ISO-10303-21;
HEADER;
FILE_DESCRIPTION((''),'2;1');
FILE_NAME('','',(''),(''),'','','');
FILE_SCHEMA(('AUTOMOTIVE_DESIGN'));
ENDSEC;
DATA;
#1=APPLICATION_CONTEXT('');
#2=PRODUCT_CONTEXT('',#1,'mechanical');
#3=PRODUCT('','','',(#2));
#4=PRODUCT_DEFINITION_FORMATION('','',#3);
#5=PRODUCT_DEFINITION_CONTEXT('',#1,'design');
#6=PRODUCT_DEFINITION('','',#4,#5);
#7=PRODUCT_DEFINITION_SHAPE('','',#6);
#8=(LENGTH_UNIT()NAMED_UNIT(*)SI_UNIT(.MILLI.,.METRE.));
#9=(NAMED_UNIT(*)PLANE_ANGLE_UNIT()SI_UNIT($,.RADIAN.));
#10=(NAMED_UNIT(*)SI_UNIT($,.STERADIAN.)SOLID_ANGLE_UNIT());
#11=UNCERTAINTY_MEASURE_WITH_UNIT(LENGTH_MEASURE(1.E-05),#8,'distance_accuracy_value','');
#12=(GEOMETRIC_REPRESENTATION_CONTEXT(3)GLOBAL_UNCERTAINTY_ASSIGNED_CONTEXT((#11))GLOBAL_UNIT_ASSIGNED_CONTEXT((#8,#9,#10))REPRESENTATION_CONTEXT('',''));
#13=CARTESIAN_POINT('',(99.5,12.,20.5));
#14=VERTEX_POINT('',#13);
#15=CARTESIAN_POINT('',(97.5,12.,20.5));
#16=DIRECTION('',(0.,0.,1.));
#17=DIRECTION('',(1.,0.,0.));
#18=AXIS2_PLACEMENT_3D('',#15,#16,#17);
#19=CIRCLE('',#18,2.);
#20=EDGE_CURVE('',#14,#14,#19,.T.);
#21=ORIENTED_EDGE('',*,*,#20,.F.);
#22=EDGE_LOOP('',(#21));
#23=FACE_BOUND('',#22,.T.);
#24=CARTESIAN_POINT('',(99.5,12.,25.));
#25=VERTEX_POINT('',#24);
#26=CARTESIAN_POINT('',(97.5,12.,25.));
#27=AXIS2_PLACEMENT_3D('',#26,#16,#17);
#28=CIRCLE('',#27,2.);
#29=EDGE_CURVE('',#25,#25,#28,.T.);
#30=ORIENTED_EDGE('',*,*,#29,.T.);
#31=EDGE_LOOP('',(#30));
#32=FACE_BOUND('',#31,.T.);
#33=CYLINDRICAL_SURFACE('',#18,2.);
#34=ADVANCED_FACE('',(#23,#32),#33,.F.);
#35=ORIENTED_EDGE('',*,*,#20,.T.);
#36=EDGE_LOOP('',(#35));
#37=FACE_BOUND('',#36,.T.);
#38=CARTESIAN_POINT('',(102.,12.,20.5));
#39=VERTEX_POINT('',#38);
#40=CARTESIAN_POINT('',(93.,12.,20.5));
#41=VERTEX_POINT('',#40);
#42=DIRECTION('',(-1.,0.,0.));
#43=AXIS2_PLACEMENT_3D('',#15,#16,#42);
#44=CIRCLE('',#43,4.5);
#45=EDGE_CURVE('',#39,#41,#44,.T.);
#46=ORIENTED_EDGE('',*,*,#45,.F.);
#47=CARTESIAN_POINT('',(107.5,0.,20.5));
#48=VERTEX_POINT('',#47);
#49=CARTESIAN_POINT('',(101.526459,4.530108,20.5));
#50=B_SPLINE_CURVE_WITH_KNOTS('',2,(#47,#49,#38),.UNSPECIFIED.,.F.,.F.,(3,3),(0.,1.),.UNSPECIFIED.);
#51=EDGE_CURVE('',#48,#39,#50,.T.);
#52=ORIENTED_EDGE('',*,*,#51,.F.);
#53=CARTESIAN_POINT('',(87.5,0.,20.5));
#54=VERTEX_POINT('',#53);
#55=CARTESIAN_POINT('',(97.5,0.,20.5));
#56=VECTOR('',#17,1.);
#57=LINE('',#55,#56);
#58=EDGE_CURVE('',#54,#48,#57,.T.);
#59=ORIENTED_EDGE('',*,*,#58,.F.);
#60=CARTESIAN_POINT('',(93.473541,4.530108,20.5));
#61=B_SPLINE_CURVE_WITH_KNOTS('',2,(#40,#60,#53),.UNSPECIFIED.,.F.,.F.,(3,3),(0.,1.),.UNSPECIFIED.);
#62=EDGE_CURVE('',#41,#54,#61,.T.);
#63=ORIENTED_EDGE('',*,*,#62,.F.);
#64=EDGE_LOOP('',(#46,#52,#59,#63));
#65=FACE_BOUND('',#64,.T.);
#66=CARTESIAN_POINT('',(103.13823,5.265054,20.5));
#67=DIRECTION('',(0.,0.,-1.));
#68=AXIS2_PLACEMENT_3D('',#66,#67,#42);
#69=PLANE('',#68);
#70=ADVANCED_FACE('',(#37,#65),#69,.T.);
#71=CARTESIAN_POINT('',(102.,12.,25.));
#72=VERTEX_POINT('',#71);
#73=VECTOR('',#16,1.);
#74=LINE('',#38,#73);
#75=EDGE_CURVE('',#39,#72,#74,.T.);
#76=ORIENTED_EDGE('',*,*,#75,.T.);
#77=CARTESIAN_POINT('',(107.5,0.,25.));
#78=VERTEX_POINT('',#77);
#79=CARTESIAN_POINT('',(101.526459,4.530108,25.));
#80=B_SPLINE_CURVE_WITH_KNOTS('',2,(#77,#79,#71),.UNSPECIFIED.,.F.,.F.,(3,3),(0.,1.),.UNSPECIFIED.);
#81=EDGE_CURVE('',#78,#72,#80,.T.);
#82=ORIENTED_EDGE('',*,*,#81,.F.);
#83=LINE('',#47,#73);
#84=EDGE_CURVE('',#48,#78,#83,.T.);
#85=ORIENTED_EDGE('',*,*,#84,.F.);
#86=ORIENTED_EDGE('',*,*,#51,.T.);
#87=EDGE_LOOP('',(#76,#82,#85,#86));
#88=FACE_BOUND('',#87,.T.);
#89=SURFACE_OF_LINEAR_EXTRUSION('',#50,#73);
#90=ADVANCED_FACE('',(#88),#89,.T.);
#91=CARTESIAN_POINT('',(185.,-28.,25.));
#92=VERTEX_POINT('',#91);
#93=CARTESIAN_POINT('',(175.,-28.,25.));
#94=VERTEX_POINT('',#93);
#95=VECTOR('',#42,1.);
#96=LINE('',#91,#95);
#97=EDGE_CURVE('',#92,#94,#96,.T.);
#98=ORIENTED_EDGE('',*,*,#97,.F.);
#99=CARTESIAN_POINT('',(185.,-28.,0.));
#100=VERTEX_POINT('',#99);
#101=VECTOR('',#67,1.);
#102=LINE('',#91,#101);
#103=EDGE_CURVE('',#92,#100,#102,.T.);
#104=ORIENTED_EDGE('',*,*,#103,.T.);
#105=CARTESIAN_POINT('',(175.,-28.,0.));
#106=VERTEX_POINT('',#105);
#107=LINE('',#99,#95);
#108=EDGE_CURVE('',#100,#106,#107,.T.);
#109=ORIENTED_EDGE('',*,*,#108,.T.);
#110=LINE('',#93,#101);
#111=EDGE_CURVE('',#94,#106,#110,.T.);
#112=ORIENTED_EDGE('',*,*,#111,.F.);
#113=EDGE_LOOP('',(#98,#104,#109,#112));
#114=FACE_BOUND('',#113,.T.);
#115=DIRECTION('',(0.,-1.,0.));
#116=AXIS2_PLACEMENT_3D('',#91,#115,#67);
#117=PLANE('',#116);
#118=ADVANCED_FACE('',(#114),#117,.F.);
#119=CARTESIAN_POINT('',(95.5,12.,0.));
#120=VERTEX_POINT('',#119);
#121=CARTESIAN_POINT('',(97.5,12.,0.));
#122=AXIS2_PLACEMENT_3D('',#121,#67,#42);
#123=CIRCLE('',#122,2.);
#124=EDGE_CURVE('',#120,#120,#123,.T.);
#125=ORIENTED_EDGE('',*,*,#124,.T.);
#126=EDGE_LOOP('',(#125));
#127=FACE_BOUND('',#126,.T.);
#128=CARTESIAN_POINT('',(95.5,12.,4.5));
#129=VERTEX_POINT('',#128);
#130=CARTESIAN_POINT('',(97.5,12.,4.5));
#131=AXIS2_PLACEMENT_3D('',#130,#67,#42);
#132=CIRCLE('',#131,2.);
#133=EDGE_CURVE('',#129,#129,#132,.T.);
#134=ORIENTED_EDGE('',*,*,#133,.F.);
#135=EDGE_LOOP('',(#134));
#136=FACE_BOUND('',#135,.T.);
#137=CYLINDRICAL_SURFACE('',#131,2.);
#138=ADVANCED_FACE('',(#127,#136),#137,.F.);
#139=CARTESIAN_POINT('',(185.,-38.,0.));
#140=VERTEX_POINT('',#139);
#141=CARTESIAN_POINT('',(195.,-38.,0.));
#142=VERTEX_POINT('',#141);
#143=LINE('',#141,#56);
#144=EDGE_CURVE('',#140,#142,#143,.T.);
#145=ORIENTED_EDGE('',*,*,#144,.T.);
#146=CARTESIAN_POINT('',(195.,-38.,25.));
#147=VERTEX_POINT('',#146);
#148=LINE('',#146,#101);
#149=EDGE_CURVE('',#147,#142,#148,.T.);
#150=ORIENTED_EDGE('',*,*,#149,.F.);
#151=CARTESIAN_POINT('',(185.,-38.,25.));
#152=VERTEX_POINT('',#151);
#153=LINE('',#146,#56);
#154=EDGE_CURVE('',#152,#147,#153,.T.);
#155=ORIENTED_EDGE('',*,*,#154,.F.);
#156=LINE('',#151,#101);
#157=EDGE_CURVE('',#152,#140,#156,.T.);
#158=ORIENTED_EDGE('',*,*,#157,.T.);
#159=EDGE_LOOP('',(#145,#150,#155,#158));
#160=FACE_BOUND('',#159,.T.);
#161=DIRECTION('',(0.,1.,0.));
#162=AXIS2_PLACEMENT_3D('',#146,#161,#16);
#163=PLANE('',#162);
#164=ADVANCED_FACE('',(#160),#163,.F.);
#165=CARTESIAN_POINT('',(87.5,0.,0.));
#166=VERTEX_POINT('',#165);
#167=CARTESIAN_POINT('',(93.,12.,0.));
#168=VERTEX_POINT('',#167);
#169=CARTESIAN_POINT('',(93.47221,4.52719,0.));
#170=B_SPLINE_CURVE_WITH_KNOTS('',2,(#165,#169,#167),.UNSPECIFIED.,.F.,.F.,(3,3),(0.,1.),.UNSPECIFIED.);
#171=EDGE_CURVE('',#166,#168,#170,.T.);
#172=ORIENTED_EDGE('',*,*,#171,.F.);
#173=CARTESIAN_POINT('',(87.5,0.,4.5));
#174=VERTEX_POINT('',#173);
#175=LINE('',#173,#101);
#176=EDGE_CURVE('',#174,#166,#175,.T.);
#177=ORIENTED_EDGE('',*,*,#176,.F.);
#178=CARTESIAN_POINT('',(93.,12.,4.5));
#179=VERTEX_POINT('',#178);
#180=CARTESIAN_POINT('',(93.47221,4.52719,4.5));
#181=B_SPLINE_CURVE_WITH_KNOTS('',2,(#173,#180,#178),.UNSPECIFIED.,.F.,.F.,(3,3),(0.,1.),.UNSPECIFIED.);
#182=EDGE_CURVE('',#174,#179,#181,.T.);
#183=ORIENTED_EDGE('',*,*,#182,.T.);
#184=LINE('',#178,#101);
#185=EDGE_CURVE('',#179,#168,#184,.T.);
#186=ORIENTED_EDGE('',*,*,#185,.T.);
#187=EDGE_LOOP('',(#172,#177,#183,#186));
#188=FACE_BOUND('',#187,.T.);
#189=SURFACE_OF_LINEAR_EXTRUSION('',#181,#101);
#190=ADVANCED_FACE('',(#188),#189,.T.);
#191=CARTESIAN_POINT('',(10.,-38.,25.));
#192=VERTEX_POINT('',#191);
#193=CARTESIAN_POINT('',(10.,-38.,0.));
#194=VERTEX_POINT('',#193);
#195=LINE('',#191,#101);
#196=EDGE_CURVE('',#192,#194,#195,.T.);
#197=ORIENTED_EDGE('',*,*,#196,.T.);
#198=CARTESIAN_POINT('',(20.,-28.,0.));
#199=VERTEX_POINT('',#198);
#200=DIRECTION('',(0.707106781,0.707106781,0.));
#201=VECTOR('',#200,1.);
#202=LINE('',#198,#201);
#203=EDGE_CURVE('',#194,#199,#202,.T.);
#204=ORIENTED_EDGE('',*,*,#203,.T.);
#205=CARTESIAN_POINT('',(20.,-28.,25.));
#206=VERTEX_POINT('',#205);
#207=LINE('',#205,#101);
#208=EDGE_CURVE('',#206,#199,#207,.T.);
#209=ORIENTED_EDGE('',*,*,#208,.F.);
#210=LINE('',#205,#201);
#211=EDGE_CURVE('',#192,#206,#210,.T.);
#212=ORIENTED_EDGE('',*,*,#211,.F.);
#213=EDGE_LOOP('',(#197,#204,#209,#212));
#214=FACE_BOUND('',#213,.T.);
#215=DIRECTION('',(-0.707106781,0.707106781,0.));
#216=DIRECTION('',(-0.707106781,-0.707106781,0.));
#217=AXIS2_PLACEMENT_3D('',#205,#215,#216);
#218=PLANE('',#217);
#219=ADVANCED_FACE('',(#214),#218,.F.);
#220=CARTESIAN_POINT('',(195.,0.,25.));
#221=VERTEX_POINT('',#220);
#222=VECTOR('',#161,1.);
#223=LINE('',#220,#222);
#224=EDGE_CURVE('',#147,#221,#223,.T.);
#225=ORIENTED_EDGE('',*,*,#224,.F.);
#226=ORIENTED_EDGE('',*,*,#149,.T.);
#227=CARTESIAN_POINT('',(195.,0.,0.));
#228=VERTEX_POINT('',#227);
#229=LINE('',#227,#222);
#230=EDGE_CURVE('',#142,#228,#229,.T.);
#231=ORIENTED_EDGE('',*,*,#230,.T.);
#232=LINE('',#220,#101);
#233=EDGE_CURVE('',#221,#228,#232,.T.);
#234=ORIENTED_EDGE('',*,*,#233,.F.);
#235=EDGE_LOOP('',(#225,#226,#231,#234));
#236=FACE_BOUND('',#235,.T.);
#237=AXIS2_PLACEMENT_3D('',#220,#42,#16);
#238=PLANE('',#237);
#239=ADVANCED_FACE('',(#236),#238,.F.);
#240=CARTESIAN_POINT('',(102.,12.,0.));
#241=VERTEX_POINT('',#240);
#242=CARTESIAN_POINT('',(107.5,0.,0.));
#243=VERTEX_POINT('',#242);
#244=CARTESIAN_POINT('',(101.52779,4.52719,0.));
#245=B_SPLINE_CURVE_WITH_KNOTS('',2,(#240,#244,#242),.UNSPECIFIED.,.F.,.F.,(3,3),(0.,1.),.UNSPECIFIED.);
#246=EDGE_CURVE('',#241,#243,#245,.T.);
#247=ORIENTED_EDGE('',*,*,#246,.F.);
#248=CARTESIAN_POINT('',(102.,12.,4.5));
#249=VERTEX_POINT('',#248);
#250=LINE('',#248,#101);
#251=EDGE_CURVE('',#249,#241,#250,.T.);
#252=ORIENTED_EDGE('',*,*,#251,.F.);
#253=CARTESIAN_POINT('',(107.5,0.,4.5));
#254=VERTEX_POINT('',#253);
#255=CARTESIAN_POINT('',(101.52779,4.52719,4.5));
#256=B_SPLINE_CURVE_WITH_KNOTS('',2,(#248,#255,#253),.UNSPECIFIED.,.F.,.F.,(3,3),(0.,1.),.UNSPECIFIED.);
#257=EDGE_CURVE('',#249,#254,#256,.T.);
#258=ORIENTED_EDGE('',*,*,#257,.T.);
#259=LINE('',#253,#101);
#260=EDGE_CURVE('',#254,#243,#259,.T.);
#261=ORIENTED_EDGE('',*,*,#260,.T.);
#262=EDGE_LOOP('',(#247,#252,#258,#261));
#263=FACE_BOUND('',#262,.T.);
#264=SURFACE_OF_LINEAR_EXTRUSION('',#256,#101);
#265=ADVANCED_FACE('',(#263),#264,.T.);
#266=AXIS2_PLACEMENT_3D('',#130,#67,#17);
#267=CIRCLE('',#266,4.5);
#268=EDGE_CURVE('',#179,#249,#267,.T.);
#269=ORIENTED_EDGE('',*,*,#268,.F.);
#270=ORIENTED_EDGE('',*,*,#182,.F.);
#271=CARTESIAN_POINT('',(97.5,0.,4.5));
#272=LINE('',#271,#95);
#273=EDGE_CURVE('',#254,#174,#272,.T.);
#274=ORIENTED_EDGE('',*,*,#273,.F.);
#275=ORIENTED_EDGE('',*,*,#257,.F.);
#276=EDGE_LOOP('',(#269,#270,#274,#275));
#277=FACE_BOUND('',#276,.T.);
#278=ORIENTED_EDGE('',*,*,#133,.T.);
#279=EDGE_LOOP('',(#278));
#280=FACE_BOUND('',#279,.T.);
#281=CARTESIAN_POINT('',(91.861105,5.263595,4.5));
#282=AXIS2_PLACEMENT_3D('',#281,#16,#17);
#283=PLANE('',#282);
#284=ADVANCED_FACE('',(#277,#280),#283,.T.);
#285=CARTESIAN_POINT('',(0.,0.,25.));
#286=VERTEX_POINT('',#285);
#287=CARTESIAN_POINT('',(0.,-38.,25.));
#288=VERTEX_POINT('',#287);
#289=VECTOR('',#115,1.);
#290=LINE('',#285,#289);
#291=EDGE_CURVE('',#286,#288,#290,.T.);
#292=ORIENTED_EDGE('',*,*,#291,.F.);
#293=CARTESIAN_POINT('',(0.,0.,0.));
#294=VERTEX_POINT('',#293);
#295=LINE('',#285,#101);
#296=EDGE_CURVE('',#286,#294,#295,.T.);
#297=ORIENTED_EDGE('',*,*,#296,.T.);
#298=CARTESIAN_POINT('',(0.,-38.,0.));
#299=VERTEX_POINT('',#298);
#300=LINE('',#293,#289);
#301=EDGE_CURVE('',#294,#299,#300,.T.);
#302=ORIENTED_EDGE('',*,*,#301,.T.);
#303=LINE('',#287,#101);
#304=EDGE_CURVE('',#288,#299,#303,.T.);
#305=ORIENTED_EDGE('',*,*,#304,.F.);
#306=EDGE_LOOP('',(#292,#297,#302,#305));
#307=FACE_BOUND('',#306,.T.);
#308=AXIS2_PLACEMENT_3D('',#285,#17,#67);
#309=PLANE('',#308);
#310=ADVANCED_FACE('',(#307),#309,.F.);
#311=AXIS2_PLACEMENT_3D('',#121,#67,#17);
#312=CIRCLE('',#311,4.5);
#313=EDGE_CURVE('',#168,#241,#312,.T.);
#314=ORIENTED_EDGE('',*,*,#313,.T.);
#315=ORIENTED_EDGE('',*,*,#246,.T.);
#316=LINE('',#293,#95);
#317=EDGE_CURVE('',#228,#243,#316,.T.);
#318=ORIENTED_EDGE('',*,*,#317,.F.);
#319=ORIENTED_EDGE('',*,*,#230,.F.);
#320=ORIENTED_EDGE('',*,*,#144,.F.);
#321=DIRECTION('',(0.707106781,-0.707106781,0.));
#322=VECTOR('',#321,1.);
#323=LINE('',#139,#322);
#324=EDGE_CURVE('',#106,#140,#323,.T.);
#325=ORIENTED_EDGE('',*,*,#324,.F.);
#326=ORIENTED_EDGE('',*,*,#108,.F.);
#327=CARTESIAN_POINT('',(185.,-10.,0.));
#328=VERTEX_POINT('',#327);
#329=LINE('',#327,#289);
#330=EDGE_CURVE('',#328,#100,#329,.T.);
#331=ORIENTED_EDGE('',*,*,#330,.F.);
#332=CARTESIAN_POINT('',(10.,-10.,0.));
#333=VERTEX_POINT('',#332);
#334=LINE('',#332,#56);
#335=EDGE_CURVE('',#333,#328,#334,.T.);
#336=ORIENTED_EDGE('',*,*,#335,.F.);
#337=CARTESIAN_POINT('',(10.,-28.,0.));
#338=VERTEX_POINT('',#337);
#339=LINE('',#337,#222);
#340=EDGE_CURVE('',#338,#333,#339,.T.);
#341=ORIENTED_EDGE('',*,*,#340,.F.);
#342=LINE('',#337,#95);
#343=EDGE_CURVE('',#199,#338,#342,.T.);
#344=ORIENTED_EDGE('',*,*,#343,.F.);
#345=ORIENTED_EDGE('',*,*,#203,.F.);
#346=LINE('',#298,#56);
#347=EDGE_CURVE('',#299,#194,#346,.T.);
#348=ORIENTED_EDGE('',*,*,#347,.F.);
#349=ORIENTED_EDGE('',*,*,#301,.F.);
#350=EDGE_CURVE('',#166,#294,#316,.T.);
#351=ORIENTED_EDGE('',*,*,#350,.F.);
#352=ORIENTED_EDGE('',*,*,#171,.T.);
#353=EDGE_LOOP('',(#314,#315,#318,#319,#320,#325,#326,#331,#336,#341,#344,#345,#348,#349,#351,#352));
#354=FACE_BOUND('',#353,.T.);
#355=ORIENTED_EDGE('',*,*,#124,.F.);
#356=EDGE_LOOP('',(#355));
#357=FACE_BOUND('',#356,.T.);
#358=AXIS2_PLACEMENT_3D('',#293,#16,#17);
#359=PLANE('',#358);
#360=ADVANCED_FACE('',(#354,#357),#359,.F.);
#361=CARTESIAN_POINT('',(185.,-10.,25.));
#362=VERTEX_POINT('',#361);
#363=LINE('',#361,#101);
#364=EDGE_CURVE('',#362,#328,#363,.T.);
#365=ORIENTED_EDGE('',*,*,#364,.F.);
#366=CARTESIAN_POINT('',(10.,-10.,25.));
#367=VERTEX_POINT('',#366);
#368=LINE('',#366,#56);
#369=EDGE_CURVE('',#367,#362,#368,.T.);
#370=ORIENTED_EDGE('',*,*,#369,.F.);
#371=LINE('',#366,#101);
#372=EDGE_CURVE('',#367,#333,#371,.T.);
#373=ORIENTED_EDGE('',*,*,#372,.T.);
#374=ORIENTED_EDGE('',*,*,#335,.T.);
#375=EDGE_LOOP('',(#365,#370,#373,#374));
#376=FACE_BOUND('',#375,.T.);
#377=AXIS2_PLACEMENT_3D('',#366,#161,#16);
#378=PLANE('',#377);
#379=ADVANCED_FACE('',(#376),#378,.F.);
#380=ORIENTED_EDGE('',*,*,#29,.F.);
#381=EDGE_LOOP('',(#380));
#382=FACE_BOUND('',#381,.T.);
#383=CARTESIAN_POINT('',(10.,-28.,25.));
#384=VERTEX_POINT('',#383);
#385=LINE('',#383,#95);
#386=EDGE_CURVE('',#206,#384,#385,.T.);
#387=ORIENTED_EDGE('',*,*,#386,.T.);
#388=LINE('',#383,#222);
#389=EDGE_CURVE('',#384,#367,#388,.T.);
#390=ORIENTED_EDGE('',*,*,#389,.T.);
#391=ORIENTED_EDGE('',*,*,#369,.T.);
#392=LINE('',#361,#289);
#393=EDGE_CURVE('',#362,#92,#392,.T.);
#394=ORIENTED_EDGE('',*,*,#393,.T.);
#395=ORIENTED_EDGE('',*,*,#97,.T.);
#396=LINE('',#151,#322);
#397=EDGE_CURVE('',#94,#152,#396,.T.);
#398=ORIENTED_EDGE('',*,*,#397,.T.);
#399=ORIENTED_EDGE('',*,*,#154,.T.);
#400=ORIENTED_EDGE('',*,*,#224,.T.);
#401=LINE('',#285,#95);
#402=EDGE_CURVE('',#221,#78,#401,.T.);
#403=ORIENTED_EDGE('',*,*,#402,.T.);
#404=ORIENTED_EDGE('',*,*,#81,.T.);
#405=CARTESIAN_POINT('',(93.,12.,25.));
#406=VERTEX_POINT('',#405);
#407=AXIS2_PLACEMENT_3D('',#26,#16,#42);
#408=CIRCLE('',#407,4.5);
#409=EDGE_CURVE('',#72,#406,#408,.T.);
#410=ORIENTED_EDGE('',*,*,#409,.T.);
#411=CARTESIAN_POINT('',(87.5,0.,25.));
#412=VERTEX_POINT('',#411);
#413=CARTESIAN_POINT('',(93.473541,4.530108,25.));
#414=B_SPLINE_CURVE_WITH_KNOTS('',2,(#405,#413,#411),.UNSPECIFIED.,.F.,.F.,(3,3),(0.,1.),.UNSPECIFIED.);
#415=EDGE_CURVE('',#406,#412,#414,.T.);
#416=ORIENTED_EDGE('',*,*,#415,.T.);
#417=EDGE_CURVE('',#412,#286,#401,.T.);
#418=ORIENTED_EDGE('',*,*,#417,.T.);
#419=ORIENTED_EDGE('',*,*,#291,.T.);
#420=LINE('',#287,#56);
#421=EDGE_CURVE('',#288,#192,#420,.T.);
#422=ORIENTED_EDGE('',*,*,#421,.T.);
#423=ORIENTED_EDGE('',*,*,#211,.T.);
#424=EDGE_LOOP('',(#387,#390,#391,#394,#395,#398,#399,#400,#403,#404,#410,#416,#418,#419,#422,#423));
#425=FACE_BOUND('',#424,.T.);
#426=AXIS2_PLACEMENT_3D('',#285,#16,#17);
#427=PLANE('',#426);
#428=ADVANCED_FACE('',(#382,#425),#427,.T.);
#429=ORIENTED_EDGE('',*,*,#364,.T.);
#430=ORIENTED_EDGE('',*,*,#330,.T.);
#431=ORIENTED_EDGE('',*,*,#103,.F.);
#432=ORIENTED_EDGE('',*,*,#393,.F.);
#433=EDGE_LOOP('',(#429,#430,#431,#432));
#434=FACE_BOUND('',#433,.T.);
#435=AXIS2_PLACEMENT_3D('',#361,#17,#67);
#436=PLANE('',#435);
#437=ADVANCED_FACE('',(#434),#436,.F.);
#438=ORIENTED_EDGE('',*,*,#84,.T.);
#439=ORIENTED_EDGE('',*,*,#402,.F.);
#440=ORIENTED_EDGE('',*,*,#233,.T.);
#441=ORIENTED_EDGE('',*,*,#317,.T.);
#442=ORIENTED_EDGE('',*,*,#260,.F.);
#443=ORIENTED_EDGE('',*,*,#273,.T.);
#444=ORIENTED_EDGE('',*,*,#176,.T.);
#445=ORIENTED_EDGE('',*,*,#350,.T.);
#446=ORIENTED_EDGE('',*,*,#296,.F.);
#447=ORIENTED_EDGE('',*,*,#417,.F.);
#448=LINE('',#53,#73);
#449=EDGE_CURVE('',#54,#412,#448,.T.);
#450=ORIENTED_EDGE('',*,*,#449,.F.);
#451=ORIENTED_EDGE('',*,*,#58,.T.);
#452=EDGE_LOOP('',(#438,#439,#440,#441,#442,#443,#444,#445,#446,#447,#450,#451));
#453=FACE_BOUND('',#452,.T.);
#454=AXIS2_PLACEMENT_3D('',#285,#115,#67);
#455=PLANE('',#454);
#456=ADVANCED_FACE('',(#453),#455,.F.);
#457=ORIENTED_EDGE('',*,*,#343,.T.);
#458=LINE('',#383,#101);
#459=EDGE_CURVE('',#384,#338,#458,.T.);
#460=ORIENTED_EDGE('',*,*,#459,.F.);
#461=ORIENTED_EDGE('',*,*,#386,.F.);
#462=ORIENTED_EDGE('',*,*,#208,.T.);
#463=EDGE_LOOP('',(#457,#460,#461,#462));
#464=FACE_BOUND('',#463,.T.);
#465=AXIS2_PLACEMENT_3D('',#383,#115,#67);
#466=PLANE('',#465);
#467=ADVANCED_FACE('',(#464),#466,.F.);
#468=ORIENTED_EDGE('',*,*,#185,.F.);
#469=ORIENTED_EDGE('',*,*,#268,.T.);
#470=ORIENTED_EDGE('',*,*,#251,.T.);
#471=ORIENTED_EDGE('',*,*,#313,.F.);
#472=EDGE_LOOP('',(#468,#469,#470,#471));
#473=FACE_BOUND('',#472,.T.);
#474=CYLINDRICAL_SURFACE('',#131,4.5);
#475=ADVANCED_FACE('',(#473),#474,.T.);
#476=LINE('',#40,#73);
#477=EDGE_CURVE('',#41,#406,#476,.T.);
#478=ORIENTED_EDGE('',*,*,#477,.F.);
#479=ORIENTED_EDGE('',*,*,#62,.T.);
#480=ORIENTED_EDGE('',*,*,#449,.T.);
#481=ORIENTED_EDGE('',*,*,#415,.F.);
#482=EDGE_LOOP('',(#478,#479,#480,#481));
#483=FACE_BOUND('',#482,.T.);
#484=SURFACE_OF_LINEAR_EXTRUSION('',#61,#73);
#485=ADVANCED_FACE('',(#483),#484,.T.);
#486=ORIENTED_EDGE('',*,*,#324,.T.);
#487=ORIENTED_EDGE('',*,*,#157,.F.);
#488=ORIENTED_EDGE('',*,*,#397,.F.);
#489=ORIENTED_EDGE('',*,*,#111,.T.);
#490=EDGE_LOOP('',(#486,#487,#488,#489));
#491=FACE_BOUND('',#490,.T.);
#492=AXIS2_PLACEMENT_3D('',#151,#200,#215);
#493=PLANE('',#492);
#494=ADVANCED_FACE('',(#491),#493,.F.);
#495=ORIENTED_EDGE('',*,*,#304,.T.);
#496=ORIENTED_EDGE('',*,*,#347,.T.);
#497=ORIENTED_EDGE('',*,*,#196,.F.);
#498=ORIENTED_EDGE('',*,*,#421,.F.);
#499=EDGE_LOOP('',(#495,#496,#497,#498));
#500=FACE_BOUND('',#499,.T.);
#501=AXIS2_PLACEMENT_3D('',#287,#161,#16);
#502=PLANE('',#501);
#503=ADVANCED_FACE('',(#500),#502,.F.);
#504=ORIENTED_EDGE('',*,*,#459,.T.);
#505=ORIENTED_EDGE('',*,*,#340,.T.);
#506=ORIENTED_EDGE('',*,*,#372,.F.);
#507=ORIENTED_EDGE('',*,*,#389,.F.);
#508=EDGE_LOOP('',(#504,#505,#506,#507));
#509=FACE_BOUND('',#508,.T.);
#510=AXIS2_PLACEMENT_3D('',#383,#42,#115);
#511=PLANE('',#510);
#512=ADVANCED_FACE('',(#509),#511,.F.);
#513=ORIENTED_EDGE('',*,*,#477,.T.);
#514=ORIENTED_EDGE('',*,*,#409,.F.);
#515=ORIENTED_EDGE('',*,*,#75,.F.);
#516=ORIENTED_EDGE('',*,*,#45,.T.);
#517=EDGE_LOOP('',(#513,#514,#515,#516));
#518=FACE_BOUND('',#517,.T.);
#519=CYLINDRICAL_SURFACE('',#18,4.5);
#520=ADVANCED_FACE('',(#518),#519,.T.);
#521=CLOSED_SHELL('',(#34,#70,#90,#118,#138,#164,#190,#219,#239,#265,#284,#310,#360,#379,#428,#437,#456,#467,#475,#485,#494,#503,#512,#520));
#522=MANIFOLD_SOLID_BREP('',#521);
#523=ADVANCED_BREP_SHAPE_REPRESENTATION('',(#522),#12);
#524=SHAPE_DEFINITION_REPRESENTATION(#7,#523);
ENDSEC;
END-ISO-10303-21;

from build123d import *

# Parameters (mm, degrees)
BOSS_EXTRU_1_DEPTH = 25
ESQUISSE2_R        = 2
BOSS_EXTRU_2_DEPTH = 4.5
ESQUISSE4_R        = 2
BOSS_EXTRU_3_DEPTH = 4.5


with BuildPart() as part:
    # Esquisse1 → Boss.-Extru.1 (new body)
    with BuildSketch(Plane.XY):
        Polygon((0, 0), (195, 0), (195, -38), (185, -38), (175, -28), (185, -28), (185, -10), (10, -10), (10, -28), (20, -28), (10, -38), (0, -38), align=None)
    extrude(amount=BOSS_EXTRU_1_DEPTH)

    # Esquisse2 → Boss.-Extru.2 (add)
    with BuildSketch(Plane.XY.offset(25)):
        with BuildLine():
            Line((97.5, 0), (87.5, 0))
            add(Edge.make_bspline(
                [(93, 12), (93.473540625, 4.530107825), (87.5, 0)],
                knots=[0, 0, 0, 1, 1, 1], degree=2))
            ThreePointArc((93, 12), (97.5, 16.5), (102, 12))
            add(Edge.make_bspline(
                [(102, 12), (101.526459375, 4.530107825), (107.5, 0)],
                knots=[0, 0, 0, 1, 1, 1], degree=2))
            Line((107.5, 0), (97.5, 0))
        make_face()
        with Locations((97.5, 12)):
            Circle(ESQUISSE2_R, mode=Mode.SUBTRACT)
    extrude(amount=-BOSS_EXTRU_2_DEPTH)

    # Esquisse4 → Boss.-Extru.3 (add)
    with BuildSketch(Plane(origin=(0, 0, 0), x_dir=(-1, 0, 0), z_dir=(0, 0, -1))):
        with BuildLine():
            Line((-97.5, 0), (-107.5, 0))
            add(Edge.make_bspline(
                [(-102, 12), (-101.527789756, 4.527189734), (-107.5, 0)],
                knots=[0, 0, 0, 1, 1, 1], degree=2))
            ThreePointArc((-102, 12), (-97.5, 16.5), (-93, 12))
            add(Edge.make_bspline(
                [(-93, 12), (-93.472210244, 4.527189734), (-87.5, 0)],
                knots=[0, 0, 0, 1, 1, 1], degree=2))
            Line((-87.5, 0), (-97.5, 0))
        make_face()
        with Locations((-97.5, 12)):
            Circle(ESQUISSE4_R, mode=Mode.SUBTRACT)
    extrude(amount=-BOSS_EXTRU_3_DEPTH)


solid = part.part
